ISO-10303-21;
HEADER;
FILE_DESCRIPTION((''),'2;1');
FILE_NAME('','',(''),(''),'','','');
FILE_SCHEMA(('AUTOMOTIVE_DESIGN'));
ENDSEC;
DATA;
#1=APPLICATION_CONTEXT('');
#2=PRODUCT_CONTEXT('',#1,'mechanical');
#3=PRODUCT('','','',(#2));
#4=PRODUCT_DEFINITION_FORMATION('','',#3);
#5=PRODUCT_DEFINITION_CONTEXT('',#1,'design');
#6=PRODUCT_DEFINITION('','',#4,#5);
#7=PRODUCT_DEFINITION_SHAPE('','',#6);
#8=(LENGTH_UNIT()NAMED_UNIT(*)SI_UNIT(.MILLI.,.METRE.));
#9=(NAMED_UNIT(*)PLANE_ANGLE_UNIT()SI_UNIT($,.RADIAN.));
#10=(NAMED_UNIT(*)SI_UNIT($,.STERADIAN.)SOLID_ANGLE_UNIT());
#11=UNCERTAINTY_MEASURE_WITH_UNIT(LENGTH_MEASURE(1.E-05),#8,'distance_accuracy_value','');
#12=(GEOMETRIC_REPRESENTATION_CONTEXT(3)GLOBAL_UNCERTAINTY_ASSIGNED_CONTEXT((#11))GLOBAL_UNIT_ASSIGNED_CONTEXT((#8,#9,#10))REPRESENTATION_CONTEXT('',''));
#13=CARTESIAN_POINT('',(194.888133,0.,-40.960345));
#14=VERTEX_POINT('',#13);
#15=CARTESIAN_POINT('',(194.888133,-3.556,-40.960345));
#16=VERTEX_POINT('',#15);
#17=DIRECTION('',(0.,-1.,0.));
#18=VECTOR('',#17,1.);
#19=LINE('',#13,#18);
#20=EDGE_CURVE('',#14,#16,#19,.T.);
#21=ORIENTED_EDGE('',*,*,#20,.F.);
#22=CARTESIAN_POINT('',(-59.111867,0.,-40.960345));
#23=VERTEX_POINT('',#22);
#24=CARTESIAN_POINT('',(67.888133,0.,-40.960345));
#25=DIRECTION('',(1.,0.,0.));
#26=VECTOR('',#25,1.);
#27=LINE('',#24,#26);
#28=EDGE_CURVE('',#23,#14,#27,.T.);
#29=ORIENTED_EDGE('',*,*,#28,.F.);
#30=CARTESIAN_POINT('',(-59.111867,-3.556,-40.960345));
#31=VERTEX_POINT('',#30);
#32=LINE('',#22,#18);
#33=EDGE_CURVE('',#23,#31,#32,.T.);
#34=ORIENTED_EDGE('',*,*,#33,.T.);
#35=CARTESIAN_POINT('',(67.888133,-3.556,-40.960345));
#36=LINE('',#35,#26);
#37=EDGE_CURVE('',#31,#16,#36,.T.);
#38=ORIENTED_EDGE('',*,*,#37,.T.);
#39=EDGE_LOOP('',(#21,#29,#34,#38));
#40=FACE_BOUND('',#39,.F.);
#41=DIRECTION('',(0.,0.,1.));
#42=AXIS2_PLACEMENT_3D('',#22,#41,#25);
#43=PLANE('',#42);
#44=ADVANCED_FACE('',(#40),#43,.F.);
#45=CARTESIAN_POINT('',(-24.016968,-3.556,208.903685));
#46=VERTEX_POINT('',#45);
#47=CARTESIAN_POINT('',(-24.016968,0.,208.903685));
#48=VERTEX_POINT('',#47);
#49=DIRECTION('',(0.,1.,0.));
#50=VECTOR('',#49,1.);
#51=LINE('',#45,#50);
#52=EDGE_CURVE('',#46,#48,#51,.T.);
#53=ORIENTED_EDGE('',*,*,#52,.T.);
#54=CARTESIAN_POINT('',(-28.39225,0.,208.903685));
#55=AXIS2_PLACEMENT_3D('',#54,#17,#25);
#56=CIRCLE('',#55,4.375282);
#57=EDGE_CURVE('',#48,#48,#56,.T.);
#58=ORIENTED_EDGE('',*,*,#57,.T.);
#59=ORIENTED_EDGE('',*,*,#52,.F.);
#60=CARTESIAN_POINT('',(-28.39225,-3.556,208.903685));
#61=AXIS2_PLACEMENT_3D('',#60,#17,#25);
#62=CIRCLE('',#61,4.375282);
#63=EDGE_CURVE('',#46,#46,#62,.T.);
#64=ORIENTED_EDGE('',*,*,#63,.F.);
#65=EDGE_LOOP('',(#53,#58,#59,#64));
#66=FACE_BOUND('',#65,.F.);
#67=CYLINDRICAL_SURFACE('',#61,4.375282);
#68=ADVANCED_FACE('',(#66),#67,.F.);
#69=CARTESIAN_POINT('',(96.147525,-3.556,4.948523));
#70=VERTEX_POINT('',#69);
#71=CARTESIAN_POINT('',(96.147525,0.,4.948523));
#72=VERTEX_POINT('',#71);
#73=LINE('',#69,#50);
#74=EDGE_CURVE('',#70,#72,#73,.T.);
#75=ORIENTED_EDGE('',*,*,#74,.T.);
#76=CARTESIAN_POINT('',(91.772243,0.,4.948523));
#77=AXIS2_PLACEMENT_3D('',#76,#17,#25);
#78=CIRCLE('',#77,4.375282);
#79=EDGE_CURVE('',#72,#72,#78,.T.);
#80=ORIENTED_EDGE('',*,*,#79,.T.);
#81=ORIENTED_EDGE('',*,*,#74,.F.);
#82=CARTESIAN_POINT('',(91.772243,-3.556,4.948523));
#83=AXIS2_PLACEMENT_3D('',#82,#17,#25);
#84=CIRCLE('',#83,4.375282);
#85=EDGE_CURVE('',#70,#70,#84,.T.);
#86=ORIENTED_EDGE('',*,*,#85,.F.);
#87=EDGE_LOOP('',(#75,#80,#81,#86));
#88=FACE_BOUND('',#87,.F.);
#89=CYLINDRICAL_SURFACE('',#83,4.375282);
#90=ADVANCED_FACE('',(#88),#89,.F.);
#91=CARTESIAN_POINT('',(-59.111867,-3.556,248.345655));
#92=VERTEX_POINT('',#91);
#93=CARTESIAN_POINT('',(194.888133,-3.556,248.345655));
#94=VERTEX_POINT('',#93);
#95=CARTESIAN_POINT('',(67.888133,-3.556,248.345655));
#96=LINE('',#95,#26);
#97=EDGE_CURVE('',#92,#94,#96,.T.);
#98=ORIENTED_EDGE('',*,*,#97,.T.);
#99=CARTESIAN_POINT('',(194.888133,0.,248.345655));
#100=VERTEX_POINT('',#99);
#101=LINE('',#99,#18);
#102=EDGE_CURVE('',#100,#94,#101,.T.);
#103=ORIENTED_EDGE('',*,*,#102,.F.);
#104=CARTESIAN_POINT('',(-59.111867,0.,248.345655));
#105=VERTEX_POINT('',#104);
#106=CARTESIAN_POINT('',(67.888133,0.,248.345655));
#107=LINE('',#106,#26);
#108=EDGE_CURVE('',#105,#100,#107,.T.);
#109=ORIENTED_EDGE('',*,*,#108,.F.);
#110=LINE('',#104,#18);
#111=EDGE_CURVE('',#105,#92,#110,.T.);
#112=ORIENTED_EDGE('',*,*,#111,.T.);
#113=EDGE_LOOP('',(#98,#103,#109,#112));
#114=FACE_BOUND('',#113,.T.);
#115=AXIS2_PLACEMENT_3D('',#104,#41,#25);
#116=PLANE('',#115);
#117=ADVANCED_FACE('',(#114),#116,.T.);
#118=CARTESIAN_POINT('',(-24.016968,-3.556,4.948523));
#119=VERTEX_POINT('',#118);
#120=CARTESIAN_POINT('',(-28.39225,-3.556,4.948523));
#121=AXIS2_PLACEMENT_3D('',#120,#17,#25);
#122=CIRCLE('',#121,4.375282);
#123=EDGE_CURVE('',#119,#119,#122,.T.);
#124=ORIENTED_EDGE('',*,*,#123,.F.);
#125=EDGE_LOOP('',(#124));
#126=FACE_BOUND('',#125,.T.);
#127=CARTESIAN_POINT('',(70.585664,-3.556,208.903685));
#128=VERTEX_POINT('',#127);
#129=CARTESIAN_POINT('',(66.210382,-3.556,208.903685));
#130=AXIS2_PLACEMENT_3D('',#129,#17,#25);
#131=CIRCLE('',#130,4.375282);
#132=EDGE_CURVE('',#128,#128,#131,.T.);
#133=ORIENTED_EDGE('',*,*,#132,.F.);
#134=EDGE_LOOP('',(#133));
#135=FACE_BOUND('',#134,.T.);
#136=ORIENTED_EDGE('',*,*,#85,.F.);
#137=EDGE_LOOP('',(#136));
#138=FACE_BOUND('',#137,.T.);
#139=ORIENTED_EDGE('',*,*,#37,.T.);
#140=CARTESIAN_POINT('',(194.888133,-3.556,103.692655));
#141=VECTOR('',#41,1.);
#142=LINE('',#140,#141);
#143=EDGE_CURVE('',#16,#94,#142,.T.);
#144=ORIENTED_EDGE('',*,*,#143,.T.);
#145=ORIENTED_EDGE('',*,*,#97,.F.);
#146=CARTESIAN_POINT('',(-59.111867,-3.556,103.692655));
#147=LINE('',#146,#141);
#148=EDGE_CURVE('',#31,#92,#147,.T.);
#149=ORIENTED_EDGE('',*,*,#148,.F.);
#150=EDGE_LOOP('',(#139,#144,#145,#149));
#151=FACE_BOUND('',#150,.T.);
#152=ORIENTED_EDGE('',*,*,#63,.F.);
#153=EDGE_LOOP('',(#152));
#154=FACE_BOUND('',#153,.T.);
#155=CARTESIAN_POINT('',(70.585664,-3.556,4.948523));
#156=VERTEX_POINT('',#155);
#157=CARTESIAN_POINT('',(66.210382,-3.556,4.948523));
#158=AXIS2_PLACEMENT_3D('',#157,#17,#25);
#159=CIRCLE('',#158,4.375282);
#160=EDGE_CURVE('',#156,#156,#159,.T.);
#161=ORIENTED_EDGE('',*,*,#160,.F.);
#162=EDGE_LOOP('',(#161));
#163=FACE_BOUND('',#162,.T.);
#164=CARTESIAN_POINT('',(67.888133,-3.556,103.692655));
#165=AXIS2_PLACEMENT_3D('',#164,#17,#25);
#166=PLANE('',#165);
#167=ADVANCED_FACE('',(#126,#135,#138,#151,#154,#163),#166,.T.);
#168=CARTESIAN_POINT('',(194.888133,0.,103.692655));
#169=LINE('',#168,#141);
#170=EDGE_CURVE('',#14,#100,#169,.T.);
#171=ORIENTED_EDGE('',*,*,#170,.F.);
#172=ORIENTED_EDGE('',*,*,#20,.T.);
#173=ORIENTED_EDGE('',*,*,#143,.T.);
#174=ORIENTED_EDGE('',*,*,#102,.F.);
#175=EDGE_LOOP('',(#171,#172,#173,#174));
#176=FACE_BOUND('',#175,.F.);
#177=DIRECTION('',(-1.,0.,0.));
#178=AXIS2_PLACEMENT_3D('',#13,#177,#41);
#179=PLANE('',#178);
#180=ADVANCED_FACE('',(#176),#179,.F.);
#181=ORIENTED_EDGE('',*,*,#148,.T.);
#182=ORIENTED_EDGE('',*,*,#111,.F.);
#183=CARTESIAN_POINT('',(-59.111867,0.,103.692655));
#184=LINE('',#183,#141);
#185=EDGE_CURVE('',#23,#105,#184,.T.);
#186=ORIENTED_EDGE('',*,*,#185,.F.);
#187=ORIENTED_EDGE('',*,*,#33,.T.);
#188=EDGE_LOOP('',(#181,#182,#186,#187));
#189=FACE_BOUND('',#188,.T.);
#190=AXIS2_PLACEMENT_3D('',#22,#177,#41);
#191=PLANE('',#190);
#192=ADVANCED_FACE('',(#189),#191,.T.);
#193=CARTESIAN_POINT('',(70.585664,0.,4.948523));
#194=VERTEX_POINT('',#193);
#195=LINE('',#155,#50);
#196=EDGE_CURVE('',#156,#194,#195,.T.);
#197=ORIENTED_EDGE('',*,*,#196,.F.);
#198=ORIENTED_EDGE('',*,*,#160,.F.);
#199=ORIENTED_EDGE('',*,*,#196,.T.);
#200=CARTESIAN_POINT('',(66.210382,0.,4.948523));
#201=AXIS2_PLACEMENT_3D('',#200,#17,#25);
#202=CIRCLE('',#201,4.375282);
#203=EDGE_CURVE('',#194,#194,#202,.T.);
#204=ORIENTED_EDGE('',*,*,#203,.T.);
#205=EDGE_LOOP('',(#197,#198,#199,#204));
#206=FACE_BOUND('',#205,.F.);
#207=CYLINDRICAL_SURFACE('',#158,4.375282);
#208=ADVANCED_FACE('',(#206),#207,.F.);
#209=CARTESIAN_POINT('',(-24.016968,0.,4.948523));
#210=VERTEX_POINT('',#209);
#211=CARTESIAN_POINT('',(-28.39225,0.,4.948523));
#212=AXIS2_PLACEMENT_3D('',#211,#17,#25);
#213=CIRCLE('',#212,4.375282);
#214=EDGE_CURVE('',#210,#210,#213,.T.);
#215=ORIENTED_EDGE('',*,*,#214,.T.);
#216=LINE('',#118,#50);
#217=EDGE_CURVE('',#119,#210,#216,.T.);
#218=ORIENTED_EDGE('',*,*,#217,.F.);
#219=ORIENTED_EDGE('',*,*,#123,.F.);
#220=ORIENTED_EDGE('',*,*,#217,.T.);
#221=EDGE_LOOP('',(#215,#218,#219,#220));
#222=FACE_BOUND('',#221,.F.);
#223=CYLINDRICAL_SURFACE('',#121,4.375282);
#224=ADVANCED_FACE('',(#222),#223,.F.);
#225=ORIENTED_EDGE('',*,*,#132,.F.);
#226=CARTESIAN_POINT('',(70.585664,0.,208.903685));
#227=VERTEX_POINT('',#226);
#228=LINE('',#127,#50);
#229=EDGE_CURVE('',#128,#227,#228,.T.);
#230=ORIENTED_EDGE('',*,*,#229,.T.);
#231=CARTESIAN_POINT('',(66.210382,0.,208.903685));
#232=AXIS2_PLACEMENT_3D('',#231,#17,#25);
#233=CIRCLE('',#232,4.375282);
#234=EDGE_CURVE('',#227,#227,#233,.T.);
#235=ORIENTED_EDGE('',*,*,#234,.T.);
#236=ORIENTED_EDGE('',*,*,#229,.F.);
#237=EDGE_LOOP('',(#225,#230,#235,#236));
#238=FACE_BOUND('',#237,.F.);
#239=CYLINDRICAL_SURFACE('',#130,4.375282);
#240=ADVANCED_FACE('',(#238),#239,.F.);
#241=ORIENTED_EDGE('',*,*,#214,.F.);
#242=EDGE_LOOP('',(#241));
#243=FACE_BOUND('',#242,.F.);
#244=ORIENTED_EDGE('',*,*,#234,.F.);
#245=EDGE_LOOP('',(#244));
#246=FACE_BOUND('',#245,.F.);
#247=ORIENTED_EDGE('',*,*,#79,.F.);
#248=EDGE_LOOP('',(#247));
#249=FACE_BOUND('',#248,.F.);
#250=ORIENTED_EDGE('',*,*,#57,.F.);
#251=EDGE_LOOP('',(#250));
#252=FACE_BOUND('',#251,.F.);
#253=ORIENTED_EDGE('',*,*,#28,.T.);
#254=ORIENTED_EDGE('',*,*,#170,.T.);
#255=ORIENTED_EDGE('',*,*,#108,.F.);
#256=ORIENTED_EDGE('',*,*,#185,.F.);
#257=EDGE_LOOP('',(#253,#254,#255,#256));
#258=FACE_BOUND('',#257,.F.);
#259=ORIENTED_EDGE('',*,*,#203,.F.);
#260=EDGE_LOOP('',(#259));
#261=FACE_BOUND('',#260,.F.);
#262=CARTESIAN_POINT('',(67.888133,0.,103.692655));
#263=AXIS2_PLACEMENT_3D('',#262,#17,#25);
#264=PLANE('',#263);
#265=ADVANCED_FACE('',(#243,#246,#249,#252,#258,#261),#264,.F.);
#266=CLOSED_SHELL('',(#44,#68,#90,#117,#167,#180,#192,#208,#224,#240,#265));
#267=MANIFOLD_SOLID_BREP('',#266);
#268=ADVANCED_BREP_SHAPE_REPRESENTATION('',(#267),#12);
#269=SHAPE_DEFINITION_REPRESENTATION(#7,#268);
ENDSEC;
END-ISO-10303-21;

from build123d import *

# Parameters (mm, degrees)
F0_W     = 254
F0_H     = 289.306
F1_DEPTH = 3.556
F2_R     = 4.375282
F3_DEPTH = 25.4
F4_DEPTH = 25.4


with BuildPart() as f1:
    # F0 (on Front) → F1 (new body)
    with BuildSketch(Plane.XZ):
        with Locations((67.888133, 103.692655)):
            Rectangle(F0_W, F0_H)
    extrude(amount=F1_DEPTH)

    # F2 (on face) → F3 (cut)
    with BuildSketch(Plane.XZ.offset(3.556)):
        with Locations((-28.39225, 4.948523)):
            Circle(F2_R)
    extrude(amount=-F3_DEPTH, mode=Mode.SUBTRACT)

    # F2 (on face) → F4 (cut)
    with BuildSketch(Plane.XZ.offset(3.556)):
        with Locations((-28.39225, 4.948523)):
            Circle(F2_R)
        with Locations((-28.39225, 208.903685)):
            Circle(F2_R)
        with Locations((66.210382, 4.948523)):
            Circle(F2_R)
        with Locations((66.210382, 208.903685)):
            Circle(F2_R)
        with Locations((91.772243, 4.948523)):
            Circle(F2_R)
    extrude(amount=-F4_DEPTH, mode=Mode.SUBTRACT)


solid = f1.part
